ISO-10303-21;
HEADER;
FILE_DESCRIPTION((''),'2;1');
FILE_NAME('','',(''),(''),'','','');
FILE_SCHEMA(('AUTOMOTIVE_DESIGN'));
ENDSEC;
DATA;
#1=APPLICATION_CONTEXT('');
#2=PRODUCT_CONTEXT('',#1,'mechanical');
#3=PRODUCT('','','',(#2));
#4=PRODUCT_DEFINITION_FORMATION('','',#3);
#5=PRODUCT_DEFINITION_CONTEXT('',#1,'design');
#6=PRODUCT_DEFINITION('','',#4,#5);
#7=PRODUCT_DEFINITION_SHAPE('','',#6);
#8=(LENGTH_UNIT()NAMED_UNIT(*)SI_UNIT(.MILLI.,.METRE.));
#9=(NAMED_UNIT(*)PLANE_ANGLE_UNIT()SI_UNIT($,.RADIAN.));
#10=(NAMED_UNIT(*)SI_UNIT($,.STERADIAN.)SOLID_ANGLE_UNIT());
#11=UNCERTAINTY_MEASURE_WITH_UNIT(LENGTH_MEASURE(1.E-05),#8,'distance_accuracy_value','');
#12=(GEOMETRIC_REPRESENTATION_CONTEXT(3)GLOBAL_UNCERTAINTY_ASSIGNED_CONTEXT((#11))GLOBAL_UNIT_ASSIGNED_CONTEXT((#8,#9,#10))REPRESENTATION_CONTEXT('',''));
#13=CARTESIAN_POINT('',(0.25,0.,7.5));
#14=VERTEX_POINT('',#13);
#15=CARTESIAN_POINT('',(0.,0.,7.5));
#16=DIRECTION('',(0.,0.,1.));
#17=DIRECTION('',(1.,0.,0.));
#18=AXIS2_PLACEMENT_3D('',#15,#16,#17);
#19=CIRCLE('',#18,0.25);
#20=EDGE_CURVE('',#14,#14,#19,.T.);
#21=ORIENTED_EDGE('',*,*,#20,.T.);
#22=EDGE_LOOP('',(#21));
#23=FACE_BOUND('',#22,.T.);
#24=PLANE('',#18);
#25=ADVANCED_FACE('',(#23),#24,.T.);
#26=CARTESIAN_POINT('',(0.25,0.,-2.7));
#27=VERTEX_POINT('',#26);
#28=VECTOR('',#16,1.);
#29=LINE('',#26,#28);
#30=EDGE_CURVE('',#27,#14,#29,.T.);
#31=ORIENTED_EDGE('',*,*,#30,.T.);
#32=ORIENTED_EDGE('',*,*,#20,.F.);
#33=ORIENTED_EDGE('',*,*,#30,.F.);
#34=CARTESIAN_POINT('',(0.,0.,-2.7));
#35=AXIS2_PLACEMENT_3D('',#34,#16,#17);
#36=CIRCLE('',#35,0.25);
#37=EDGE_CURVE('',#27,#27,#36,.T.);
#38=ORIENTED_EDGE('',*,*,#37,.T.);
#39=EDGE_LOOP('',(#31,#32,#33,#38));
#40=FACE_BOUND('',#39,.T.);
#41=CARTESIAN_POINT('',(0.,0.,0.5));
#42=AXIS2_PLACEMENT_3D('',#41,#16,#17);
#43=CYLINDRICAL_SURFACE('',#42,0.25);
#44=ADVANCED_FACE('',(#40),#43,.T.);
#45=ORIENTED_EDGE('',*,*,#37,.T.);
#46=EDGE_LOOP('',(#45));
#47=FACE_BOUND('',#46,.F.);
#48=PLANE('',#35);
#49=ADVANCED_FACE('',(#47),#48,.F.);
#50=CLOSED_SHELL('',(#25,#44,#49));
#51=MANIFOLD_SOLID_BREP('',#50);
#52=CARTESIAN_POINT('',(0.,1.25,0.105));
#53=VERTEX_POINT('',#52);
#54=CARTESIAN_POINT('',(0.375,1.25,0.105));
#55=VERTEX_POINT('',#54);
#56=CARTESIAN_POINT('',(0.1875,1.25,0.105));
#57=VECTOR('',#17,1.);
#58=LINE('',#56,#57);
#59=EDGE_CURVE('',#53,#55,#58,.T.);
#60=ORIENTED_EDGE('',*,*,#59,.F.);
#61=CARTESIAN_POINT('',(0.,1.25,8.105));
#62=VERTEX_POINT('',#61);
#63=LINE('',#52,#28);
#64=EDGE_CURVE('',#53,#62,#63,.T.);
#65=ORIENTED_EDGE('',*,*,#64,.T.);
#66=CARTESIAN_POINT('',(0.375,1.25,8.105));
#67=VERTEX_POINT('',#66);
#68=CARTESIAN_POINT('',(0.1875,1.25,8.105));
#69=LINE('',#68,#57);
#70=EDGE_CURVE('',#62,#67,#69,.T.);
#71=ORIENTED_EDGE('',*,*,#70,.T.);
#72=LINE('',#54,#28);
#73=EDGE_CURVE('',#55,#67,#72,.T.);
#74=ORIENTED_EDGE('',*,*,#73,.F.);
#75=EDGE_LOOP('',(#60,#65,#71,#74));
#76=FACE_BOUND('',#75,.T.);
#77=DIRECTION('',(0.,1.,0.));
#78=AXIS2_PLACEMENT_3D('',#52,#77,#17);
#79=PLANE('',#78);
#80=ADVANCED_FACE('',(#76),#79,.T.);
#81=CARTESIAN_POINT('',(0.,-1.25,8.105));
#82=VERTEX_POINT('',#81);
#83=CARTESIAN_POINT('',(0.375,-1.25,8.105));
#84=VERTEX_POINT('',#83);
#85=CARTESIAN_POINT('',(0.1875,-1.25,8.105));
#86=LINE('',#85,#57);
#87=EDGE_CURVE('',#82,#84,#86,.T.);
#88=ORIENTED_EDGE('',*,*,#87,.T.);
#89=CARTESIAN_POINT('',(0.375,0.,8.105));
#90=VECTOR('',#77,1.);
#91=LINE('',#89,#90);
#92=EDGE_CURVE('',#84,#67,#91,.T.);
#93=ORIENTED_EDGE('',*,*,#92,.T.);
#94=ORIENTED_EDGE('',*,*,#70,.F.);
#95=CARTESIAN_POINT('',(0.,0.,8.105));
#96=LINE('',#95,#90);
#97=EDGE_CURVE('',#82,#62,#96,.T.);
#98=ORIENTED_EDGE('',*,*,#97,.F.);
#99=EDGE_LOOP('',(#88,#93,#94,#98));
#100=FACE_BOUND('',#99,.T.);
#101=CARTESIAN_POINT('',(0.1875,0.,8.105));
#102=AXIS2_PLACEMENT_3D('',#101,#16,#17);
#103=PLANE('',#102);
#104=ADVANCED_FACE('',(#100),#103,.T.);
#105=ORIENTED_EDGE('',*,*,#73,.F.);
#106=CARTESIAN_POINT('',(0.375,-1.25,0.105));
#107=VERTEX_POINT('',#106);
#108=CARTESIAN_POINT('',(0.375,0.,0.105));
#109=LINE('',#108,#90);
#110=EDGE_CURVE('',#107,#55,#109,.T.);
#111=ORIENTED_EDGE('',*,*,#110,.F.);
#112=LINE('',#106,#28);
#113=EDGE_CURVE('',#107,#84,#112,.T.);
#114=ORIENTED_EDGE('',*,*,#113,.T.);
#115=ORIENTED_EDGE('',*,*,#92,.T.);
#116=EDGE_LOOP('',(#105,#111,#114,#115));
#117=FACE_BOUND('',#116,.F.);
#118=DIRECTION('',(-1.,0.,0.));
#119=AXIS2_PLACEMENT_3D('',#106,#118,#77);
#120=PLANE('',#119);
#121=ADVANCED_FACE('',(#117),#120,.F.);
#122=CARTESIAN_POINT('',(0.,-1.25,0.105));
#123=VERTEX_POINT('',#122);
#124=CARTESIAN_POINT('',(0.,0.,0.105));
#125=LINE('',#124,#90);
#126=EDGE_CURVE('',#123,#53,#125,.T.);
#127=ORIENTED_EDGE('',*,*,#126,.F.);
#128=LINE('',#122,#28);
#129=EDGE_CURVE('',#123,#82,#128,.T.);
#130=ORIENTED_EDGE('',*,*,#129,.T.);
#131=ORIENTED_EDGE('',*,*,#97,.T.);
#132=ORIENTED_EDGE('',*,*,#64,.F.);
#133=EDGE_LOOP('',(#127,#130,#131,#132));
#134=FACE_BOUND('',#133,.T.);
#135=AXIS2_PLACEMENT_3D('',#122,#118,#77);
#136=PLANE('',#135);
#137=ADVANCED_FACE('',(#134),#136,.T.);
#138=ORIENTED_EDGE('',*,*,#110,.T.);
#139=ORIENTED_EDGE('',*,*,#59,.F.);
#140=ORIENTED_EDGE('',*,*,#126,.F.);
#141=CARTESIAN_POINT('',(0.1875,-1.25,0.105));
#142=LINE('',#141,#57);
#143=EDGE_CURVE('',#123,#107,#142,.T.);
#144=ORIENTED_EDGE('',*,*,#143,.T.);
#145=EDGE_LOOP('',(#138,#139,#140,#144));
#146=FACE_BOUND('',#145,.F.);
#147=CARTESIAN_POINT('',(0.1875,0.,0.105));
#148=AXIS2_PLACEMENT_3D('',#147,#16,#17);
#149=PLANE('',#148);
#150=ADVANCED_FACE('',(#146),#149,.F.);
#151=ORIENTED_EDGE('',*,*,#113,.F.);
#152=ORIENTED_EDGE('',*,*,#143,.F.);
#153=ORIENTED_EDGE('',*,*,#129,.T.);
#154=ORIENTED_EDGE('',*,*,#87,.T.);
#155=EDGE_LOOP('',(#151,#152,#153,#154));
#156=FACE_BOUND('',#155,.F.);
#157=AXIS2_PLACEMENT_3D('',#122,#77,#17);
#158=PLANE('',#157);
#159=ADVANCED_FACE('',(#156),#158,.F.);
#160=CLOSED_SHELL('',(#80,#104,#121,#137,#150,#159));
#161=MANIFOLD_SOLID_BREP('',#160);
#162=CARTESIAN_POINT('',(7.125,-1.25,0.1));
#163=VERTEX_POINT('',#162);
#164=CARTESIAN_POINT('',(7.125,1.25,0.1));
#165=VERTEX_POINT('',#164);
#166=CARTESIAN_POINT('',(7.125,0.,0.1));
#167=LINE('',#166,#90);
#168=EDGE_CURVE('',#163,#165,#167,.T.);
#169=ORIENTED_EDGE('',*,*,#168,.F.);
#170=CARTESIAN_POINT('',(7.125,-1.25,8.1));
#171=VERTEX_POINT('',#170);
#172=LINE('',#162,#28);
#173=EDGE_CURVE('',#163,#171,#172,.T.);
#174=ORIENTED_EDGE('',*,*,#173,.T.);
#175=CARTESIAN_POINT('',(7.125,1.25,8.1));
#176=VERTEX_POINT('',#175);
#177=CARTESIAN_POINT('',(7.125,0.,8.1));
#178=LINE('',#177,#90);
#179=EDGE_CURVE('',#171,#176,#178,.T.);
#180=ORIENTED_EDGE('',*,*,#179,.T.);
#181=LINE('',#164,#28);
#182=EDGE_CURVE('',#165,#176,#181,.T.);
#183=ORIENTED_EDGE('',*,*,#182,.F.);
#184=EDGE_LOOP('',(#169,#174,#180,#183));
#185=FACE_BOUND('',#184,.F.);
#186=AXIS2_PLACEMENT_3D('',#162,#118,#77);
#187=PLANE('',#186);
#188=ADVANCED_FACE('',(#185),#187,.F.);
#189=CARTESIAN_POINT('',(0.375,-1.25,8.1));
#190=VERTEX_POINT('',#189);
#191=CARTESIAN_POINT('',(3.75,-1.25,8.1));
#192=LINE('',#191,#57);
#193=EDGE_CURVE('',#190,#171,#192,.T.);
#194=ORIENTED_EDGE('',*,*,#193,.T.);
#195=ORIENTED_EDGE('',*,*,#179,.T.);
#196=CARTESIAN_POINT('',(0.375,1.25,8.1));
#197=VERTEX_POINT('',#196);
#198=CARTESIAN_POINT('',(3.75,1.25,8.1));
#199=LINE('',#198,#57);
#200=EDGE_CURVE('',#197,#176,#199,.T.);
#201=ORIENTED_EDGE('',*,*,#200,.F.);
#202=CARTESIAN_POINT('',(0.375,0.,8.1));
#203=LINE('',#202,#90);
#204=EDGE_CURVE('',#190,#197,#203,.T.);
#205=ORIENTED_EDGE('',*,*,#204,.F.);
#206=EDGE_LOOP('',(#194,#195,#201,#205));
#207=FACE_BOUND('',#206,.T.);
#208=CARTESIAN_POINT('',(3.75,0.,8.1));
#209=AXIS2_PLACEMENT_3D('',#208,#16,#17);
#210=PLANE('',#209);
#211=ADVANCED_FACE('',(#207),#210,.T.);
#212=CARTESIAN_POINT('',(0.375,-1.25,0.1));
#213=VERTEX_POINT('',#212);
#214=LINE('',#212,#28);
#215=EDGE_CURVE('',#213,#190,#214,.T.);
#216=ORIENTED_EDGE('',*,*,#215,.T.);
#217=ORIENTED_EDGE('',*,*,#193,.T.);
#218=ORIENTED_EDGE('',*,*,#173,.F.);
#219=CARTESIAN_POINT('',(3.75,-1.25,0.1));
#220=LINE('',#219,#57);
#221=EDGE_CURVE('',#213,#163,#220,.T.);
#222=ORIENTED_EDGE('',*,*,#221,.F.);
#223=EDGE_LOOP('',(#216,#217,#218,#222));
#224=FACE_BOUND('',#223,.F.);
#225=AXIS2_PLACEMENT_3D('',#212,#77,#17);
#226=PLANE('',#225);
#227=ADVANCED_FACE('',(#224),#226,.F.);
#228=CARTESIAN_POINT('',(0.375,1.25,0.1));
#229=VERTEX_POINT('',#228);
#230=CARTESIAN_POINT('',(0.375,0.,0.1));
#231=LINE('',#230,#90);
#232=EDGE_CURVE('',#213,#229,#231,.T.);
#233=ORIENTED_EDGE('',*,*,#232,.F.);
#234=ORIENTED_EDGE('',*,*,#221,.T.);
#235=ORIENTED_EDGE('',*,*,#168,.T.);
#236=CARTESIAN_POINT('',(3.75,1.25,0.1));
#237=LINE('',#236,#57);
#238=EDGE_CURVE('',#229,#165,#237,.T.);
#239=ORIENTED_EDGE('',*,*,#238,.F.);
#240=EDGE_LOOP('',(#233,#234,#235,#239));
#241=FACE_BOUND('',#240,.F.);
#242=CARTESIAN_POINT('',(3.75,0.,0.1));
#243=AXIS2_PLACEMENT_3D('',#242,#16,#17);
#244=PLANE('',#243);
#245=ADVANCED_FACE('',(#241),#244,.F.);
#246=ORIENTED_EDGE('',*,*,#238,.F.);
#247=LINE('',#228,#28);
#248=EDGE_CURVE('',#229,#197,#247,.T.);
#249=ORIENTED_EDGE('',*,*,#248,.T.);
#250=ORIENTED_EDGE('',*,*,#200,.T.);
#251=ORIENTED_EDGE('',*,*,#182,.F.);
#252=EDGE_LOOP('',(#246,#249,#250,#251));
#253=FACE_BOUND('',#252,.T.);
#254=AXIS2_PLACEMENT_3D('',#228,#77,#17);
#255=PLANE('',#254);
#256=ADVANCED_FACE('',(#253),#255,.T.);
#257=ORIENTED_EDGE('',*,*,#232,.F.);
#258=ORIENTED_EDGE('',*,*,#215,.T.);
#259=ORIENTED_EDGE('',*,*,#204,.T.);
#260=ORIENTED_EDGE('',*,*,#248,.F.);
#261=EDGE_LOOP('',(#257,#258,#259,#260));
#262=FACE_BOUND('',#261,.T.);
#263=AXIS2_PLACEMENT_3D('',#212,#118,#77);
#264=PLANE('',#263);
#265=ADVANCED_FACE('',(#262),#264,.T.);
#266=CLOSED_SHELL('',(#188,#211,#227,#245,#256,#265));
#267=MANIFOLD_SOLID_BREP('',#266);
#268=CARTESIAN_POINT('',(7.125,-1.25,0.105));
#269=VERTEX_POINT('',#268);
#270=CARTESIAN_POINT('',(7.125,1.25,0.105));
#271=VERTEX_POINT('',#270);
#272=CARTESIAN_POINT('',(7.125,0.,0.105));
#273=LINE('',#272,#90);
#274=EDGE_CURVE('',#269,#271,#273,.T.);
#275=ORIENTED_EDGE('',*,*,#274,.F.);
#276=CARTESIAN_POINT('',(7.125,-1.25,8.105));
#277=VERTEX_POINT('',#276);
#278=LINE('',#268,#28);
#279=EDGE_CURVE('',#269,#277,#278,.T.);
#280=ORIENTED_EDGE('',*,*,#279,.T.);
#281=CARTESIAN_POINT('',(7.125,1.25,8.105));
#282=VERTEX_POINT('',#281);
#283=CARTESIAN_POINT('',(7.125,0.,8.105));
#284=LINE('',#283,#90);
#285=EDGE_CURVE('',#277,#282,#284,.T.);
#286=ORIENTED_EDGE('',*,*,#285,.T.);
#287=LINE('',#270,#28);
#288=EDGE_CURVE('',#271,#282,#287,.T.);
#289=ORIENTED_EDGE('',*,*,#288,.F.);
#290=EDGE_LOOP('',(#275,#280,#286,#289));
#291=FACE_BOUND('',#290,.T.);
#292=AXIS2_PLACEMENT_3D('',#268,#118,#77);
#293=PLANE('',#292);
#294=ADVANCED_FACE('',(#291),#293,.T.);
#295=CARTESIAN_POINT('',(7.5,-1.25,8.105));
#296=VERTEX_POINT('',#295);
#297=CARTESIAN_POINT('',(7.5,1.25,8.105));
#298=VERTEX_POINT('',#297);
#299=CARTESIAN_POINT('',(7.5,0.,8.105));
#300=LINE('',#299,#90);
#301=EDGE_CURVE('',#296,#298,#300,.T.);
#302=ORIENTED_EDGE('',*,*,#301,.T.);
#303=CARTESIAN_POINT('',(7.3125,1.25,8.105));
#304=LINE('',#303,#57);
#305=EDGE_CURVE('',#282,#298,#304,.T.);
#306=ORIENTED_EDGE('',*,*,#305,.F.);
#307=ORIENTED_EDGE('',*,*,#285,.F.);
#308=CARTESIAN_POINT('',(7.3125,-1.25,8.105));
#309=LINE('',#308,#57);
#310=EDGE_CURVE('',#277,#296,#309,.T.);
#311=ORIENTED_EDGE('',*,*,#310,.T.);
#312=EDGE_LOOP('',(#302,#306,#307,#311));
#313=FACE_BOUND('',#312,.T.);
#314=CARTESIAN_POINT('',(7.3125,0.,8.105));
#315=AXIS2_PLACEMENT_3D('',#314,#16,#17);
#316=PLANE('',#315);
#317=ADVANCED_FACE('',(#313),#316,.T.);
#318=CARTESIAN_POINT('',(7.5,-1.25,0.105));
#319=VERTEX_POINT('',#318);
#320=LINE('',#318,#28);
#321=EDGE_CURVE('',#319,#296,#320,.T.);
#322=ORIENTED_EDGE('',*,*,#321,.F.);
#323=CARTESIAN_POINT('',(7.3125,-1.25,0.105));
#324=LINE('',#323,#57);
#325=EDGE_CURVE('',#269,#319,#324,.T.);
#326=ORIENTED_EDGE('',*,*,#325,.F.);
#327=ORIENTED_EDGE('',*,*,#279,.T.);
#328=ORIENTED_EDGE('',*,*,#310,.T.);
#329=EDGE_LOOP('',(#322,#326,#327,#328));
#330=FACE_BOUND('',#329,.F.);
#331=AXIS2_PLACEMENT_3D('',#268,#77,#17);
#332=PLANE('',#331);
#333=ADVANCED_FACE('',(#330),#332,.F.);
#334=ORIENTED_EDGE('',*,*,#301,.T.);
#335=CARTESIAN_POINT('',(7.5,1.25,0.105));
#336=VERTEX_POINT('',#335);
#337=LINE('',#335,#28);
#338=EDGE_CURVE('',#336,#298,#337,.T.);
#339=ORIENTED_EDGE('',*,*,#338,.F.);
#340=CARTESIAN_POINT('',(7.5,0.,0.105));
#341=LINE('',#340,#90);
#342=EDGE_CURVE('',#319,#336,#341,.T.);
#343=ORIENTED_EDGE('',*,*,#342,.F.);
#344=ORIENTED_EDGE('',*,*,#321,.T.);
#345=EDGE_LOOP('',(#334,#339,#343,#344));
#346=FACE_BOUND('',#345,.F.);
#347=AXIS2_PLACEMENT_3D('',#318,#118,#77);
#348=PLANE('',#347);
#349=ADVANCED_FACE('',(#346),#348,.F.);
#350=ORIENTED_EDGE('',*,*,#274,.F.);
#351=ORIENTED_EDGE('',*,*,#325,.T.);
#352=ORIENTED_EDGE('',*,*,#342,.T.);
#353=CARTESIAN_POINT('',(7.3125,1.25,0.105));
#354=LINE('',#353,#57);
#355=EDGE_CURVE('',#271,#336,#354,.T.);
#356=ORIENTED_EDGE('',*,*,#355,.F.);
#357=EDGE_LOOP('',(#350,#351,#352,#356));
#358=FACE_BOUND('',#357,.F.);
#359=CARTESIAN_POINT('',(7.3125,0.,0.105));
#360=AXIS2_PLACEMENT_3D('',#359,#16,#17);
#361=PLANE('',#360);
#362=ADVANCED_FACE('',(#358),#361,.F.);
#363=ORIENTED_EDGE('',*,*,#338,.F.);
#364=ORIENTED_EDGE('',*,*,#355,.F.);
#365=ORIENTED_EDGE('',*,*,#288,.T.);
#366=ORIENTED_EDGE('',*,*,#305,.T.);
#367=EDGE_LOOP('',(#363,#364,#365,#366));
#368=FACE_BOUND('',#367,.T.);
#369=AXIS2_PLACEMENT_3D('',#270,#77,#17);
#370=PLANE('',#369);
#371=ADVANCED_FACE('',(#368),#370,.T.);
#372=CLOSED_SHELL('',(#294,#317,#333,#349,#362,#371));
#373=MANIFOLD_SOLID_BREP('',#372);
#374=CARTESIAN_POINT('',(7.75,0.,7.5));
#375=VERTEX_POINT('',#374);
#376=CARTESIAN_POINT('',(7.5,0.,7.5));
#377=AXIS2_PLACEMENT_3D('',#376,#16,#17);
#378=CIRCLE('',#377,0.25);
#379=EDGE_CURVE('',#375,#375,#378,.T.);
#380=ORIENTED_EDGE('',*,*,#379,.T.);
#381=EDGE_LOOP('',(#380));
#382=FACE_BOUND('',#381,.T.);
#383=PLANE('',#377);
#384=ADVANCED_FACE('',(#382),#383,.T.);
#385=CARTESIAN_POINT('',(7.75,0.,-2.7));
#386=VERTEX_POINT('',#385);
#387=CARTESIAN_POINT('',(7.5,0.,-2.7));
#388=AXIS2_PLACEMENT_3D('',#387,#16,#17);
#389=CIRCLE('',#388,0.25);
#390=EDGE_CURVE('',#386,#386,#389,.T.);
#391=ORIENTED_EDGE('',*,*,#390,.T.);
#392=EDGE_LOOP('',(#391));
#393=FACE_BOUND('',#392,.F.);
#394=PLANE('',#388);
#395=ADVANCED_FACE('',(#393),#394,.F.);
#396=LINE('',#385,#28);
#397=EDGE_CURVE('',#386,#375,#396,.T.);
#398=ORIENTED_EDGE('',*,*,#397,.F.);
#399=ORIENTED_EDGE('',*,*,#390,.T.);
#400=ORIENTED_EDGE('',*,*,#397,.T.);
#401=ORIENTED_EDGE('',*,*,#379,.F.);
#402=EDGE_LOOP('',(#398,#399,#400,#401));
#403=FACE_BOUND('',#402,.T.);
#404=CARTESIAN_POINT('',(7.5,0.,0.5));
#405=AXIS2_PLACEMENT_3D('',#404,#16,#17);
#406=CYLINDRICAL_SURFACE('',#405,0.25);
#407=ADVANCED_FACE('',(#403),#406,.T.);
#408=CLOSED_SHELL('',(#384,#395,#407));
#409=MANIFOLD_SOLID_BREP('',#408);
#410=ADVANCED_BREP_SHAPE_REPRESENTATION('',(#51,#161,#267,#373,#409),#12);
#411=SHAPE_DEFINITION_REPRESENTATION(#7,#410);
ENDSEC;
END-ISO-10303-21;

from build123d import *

# Parameters (mm, degrees)
SKETCH_W          = 6.75
SKETCH_H          = 2.5
PAD_DEPTH         = 8
SKETCH001_R       = 0.25
PAD001_DEPTH      = 7
PAD001_DEPTH_BACK = 3.2
SKETCH002_W       = 0.375
SKETCH002_H       = 2.5
PAD002_DEPTH      = 8


with BuildPart() as pad:
    # Sketch → Pad (new body)
    with BuildSketch(Plane.XY.offset(0.1)):
        with Locations((3.75, 0)):
            Rectangle(SKETCH_W, SKETCH_H)
    extrude(amount=PAD_DEPTH)


with BuildPart() as pad001:
    # Sketch001 → Pad001 (new body, two sides)
    with BuildSketch(Plane.XY.offset(0.5)) as pad001_sk:
        Circle(SKETCH001_R)
        with Locations((7.5, 0)):
            Circle(SKETCH001_R)
    extrude(amount=PAD001_DEPTH)
    extrude(pad001_sk.sketch, amount=-PAD001_DEPTH_BACK)


with BuildPart() as pad002:
    # Sketch002 → Pad002 (new body)
    with BuildSketch(Plane.XY.offset(0.105)):
        with Locations((0.1875, 0)):
            Rectangle(SKETCH002_W, SKETCH002_H)
        with Locations((7.3125, 0)):
            Rectangle(SKETCH002_W, SKETCH002_H)
    extrude(amount=PAD002_DEPTH)


solid = Compound([pad.part, pad001.part, pad002.part])
